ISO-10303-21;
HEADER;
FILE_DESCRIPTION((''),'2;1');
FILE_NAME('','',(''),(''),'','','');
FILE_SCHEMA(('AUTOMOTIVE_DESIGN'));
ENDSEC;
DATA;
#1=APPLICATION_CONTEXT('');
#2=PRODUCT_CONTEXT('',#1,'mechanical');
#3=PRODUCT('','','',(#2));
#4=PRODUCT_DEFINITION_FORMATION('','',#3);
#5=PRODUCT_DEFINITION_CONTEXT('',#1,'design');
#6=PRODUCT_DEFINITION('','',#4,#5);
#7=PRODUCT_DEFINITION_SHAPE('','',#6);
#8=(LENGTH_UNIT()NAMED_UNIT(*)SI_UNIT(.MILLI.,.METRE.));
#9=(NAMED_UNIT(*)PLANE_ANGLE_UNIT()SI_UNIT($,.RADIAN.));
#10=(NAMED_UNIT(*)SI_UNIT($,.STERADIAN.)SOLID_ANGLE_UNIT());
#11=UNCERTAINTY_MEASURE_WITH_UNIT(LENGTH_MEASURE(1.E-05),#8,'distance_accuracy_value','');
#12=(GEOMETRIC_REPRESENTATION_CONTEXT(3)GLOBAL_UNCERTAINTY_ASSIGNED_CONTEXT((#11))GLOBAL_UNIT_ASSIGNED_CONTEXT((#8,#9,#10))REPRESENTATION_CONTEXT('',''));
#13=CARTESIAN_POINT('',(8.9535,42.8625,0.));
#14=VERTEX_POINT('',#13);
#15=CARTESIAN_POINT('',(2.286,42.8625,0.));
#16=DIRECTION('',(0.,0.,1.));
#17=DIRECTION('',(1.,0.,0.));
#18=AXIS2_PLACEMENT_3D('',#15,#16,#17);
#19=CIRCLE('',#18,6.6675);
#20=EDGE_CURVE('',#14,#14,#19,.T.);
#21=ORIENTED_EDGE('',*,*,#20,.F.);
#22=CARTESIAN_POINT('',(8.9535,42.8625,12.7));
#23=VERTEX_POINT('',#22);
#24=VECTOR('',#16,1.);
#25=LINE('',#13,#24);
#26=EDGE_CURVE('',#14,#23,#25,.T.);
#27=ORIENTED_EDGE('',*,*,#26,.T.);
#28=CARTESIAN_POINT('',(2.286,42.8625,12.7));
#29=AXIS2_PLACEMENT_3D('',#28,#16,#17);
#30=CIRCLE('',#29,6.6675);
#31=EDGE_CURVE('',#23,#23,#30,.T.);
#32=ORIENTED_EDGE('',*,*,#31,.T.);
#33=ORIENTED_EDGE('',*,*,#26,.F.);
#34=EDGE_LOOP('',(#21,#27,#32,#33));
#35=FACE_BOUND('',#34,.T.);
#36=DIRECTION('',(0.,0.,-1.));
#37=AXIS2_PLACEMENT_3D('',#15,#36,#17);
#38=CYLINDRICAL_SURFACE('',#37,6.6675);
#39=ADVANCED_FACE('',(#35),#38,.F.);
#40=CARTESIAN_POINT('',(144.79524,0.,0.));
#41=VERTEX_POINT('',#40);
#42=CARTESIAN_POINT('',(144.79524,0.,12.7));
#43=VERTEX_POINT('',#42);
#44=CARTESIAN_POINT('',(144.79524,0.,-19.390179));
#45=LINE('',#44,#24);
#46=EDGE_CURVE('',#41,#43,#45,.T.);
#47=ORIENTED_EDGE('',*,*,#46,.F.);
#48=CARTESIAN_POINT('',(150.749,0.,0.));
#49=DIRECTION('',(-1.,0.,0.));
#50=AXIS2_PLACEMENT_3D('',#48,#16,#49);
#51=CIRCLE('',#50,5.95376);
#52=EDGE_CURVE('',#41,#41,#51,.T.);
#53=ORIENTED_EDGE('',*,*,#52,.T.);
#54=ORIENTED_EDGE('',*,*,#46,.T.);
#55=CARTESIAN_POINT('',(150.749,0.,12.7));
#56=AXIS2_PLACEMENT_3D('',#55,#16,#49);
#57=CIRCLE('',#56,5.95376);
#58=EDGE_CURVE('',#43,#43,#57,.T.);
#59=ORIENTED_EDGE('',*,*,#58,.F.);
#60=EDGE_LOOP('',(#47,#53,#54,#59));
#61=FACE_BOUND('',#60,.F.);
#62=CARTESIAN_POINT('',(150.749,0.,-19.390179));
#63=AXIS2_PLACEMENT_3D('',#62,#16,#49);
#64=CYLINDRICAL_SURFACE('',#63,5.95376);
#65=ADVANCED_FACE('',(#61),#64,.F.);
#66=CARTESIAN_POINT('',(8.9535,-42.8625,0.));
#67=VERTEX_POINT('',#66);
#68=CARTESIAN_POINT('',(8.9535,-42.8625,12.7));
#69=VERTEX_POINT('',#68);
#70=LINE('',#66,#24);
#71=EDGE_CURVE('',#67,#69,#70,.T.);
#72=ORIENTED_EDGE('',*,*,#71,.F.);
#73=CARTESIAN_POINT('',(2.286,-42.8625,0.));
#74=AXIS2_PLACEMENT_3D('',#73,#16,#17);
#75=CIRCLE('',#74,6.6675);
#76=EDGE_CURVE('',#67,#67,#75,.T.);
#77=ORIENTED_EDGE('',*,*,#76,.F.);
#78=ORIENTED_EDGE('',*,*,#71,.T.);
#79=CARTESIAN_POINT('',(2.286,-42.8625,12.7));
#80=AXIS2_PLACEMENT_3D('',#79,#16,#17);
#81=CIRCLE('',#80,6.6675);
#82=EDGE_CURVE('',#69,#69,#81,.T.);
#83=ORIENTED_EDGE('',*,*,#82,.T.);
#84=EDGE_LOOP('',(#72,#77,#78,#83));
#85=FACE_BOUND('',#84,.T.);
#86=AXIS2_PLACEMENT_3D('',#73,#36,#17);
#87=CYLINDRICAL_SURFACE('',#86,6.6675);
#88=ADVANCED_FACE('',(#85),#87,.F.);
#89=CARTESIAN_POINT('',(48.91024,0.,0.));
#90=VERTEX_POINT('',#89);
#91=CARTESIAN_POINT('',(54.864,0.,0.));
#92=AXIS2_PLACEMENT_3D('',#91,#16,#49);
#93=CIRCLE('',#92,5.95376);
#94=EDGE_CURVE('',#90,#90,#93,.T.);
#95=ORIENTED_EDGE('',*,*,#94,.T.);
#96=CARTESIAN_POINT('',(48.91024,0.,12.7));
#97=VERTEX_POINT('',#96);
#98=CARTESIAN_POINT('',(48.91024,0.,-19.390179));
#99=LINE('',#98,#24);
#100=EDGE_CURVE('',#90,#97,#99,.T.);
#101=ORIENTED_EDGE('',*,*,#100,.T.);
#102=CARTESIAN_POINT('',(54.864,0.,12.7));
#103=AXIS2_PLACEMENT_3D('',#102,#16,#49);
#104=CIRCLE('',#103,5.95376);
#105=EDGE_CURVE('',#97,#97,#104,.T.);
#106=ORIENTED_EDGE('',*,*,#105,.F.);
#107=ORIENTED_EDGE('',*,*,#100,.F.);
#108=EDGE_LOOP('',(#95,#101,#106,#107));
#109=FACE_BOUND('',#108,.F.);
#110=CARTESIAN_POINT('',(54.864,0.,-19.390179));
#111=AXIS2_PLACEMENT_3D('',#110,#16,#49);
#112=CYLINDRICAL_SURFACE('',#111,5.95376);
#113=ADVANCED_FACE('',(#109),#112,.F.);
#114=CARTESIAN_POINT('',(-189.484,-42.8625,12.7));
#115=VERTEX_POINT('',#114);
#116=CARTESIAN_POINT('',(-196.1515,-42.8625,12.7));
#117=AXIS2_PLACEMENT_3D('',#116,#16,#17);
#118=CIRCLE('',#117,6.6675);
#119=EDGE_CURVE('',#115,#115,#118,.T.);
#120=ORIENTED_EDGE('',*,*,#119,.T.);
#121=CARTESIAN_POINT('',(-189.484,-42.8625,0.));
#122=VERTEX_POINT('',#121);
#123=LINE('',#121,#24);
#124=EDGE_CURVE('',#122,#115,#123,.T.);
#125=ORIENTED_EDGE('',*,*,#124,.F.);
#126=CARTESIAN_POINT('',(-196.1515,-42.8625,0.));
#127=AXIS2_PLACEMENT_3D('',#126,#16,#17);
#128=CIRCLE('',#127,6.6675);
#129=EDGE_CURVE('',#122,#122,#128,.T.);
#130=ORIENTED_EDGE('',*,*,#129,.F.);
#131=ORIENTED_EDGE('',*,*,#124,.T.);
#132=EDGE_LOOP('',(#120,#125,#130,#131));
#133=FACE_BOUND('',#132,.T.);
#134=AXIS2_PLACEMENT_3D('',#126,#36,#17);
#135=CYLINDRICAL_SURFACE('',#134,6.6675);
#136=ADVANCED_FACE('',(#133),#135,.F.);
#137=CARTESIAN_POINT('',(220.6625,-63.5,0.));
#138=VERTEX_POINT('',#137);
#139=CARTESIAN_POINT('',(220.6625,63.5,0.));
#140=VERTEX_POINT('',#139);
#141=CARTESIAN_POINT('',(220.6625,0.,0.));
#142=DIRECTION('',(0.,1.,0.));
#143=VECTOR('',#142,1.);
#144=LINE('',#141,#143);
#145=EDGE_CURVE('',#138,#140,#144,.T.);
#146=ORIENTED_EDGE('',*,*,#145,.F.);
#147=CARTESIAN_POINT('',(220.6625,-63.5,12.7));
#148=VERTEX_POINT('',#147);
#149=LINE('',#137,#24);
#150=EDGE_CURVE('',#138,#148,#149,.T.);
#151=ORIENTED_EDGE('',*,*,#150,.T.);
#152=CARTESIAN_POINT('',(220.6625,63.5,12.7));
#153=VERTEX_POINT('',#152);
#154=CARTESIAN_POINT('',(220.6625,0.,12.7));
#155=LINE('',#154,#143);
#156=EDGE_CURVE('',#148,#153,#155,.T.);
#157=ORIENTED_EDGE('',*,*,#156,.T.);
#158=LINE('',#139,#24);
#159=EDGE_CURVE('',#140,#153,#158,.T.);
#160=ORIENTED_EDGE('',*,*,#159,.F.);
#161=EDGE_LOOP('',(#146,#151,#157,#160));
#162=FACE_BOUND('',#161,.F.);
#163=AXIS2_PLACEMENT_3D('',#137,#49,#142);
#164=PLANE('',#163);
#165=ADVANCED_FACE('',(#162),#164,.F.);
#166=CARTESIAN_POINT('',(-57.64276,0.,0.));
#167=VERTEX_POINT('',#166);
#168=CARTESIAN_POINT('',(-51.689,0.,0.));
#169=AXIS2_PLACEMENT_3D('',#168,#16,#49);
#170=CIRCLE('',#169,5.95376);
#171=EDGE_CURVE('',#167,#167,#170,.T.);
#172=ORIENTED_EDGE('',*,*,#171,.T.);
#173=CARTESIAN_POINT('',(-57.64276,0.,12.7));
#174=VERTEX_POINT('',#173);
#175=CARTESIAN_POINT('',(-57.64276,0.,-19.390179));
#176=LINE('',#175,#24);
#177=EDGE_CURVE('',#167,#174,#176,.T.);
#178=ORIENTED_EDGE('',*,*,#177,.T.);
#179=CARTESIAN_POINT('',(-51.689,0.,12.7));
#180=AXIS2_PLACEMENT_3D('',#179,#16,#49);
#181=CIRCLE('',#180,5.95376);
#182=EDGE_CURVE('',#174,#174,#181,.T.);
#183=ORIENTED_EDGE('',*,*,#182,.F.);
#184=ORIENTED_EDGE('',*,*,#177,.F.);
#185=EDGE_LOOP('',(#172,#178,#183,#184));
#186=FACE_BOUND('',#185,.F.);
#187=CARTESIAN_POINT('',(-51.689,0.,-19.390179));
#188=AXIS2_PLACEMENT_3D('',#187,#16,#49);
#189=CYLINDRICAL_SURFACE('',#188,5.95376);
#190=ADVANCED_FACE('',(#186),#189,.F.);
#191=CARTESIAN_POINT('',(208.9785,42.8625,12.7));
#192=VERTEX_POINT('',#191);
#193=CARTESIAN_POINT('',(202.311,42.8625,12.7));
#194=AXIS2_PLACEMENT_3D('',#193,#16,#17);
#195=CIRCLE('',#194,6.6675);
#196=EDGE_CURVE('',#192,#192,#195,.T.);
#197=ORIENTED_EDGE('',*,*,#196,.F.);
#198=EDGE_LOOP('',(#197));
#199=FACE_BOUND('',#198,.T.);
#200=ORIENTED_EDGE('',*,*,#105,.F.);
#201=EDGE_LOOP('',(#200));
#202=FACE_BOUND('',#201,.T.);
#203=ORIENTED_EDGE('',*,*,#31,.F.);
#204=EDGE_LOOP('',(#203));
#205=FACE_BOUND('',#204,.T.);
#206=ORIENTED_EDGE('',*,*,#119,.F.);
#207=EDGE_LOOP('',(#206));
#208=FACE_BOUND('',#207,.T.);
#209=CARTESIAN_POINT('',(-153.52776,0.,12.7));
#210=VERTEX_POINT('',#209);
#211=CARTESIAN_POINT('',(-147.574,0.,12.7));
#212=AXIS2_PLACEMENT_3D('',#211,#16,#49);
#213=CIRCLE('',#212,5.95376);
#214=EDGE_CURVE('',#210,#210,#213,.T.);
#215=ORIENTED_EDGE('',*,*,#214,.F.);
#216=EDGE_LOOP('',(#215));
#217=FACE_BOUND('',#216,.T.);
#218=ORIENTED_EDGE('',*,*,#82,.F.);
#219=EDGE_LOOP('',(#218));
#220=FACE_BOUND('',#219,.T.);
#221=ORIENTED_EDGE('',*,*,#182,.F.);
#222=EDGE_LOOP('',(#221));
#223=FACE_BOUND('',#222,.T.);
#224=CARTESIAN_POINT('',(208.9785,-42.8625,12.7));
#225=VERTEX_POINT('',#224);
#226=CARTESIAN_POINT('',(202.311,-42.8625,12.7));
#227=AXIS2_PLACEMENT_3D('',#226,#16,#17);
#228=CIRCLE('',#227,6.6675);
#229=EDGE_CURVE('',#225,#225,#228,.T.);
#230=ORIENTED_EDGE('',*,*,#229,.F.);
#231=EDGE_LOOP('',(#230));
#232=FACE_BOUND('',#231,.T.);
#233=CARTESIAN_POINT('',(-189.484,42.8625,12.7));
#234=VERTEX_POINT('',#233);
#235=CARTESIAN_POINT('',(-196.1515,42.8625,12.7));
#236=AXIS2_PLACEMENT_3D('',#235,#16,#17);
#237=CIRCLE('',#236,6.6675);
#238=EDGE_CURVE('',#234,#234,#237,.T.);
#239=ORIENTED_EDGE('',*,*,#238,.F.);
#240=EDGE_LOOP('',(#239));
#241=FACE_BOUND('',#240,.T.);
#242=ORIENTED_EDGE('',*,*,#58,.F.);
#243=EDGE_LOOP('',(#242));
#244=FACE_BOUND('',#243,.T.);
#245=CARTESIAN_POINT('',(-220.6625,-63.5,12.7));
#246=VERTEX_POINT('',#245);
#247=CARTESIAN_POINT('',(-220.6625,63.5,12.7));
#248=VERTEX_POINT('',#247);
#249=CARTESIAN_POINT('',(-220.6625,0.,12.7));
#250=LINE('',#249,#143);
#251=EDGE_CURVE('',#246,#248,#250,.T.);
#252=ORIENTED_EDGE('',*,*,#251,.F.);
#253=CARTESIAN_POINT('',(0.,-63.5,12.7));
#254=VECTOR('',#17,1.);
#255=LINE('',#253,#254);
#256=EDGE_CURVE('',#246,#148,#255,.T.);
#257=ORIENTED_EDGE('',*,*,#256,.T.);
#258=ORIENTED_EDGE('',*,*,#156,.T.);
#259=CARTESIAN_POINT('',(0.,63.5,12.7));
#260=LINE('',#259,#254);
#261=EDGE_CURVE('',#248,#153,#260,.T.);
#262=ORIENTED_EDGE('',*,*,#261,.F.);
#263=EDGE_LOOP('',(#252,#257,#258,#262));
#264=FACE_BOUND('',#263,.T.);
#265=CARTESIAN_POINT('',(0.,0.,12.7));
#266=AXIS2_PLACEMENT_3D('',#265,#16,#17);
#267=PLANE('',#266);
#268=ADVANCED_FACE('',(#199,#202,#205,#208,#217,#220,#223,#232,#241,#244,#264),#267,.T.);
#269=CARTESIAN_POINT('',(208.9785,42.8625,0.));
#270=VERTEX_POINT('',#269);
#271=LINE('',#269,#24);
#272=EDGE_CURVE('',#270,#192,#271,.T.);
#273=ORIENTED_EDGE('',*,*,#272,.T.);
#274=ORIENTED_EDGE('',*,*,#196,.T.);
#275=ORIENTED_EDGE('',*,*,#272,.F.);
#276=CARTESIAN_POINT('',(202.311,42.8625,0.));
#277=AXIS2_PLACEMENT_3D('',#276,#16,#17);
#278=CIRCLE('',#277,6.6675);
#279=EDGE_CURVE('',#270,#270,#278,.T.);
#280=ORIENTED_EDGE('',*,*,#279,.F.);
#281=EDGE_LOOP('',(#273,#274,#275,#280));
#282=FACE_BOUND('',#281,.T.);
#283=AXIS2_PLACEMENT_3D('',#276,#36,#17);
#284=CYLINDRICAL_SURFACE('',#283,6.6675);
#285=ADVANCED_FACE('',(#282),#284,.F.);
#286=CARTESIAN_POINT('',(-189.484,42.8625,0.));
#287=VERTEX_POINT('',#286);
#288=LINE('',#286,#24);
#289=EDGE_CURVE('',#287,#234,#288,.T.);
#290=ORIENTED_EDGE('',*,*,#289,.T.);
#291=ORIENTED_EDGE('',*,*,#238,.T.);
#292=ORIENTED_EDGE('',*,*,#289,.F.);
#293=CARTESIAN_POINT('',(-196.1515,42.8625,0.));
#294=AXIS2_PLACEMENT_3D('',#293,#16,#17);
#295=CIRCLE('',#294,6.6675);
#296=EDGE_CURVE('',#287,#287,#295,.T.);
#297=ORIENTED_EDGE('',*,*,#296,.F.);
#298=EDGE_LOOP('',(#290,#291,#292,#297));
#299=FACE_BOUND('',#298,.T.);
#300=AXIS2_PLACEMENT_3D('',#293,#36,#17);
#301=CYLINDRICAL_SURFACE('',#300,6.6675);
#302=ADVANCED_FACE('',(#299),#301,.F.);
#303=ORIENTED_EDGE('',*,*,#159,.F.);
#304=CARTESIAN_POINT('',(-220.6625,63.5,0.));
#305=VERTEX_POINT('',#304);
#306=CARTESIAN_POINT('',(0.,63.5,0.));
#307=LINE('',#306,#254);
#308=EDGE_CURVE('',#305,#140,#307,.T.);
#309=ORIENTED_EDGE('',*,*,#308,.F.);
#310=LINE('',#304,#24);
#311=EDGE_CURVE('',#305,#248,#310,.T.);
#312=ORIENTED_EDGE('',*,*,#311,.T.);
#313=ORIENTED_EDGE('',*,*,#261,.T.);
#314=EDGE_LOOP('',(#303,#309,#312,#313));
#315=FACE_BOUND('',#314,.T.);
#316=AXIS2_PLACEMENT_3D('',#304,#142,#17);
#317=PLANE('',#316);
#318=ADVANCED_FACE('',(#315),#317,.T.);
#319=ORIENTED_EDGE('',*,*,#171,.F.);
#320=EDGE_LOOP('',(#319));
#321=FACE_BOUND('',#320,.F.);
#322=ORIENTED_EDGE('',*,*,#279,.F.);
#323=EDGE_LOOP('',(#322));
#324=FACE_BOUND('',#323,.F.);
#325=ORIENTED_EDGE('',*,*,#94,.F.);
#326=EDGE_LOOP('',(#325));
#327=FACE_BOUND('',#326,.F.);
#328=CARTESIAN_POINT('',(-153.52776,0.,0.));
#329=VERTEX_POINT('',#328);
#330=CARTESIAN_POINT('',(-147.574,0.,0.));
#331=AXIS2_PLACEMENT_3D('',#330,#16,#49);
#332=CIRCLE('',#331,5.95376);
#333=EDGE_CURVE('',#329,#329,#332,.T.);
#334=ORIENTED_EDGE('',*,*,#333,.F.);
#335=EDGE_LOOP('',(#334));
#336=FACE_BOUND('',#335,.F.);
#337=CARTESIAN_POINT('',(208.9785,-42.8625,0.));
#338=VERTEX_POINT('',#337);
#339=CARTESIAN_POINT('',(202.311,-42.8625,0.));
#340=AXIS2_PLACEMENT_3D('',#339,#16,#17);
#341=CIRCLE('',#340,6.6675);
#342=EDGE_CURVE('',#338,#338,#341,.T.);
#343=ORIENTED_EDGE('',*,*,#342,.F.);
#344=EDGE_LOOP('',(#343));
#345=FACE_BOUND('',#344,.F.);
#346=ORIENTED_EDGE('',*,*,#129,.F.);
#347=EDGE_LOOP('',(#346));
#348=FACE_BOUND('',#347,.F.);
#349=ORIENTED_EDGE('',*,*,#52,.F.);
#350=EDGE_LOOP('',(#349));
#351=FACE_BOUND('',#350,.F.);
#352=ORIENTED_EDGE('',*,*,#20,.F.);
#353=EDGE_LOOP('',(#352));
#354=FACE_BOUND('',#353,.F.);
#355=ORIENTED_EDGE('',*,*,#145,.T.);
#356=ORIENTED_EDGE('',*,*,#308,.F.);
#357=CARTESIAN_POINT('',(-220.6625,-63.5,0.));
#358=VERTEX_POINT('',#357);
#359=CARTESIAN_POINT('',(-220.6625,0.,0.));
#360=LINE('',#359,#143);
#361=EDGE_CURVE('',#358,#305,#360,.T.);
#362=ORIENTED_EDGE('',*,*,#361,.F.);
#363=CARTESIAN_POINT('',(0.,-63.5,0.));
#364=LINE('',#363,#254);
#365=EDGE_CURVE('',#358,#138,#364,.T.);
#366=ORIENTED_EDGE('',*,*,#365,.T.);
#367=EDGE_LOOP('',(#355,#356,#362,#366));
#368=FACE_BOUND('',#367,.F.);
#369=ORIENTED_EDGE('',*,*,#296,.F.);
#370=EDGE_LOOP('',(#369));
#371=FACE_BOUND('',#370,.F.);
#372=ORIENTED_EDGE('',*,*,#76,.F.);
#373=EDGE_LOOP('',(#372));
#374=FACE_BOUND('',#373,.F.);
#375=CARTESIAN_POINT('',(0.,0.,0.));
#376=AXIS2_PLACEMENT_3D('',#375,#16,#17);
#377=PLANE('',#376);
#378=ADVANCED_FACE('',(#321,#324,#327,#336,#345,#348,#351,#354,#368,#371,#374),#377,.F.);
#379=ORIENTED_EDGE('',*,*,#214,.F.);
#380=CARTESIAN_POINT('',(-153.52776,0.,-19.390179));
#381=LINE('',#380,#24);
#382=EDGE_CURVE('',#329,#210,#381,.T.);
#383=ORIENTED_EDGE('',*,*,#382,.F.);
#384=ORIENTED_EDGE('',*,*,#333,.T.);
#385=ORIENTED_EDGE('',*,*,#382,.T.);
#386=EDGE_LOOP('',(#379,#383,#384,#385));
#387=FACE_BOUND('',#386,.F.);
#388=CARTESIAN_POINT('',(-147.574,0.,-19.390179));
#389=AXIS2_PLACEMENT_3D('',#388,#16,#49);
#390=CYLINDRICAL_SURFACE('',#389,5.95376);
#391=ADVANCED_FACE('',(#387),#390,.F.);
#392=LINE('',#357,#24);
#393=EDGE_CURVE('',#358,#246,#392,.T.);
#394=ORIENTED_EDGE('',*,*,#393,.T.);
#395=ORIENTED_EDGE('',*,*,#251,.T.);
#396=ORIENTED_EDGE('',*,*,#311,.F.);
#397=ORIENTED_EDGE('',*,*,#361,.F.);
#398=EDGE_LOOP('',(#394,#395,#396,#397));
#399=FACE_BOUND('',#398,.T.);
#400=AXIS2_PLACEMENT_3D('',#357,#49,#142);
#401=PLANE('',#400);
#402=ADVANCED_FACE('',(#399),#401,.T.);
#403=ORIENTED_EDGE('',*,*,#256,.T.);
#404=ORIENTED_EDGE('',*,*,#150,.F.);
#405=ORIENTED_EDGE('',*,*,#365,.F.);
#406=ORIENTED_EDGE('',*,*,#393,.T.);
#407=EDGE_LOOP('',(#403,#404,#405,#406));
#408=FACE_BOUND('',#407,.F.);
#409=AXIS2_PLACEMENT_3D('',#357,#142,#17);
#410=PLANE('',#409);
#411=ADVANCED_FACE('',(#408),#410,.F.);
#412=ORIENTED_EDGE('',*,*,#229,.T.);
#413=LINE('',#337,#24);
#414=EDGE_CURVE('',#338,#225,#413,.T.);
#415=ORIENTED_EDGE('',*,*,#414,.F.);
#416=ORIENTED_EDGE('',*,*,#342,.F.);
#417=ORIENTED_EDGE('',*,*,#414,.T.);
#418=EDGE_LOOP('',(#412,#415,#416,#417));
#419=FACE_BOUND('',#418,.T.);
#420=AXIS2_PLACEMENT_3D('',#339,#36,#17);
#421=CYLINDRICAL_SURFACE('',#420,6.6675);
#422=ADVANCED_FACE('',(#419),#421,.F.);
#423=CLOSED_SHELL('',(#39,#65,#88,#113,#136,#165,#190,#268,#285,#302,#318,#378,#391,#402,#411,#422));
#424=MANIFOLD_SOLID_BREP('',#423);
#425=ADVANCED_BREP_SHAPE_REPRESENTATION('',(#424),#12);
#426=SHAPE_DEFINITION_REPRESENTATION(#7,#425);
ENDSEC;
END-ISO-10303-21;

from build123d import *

# Parameters (mm, degrees)
F0_W     = 441.325
F0_H     = 127
F0_R     = 6.6675
F1_DEPTH = 12.7
F2_D     = 11.90752
F2_DEPTH = 19.3901785714
F2_TIP   = 3.5773799191


with BuildPart() as f1:
    # F0 (on Top) → F1 (new body)
    with BuildSketch(Plane.XY):
        Rectangle(F0_W, F0_H)
        with Locations((-196.1515, -42.8625)):
            Circle(F0_R, mode=Mode.SUBTRACT)
        with Locations((2.286, -42.8625)):
            Circle(F0_R, mode=Mode.SUBTRACT)
        with Locations((202.311, -42.8625)):
            Circle(F0_R, mode=Mode.SUBTRACT)
        with Locations((-196.1515, 42.8625)):
            Circle(F0_R, mode=Mode.SUBTRACT)
        with Locations((2.286, 42.8625)):
            Circle(F0_R, mode=Mode.SUBTRACT)
        with Locations((202.311, 42.8625)):
            Circle(F0_R, mode=Mode.SUBTRACT)
    extrude(amount=F1_DEPTH)

    # F2
    with Locations(Plane(origin=(0, 0, 0), x_dir=(1, 0, 0), z_dir=(0, 0, -1))):
        with Locations((-147.574, 0), (-51.689, 0), (54.864, 0), (150.749, 0)):
            Hole(F2_D / 2, depth=F2_DEPTH)
            with Locations((0, 0, -(F2_DEPTH + F2_TIP / 2))):  # 118° drill point
                Cone(0, F2_D / 2, F2_TIP, mode=Mode.SUBTRACT)


solid = f1.part
